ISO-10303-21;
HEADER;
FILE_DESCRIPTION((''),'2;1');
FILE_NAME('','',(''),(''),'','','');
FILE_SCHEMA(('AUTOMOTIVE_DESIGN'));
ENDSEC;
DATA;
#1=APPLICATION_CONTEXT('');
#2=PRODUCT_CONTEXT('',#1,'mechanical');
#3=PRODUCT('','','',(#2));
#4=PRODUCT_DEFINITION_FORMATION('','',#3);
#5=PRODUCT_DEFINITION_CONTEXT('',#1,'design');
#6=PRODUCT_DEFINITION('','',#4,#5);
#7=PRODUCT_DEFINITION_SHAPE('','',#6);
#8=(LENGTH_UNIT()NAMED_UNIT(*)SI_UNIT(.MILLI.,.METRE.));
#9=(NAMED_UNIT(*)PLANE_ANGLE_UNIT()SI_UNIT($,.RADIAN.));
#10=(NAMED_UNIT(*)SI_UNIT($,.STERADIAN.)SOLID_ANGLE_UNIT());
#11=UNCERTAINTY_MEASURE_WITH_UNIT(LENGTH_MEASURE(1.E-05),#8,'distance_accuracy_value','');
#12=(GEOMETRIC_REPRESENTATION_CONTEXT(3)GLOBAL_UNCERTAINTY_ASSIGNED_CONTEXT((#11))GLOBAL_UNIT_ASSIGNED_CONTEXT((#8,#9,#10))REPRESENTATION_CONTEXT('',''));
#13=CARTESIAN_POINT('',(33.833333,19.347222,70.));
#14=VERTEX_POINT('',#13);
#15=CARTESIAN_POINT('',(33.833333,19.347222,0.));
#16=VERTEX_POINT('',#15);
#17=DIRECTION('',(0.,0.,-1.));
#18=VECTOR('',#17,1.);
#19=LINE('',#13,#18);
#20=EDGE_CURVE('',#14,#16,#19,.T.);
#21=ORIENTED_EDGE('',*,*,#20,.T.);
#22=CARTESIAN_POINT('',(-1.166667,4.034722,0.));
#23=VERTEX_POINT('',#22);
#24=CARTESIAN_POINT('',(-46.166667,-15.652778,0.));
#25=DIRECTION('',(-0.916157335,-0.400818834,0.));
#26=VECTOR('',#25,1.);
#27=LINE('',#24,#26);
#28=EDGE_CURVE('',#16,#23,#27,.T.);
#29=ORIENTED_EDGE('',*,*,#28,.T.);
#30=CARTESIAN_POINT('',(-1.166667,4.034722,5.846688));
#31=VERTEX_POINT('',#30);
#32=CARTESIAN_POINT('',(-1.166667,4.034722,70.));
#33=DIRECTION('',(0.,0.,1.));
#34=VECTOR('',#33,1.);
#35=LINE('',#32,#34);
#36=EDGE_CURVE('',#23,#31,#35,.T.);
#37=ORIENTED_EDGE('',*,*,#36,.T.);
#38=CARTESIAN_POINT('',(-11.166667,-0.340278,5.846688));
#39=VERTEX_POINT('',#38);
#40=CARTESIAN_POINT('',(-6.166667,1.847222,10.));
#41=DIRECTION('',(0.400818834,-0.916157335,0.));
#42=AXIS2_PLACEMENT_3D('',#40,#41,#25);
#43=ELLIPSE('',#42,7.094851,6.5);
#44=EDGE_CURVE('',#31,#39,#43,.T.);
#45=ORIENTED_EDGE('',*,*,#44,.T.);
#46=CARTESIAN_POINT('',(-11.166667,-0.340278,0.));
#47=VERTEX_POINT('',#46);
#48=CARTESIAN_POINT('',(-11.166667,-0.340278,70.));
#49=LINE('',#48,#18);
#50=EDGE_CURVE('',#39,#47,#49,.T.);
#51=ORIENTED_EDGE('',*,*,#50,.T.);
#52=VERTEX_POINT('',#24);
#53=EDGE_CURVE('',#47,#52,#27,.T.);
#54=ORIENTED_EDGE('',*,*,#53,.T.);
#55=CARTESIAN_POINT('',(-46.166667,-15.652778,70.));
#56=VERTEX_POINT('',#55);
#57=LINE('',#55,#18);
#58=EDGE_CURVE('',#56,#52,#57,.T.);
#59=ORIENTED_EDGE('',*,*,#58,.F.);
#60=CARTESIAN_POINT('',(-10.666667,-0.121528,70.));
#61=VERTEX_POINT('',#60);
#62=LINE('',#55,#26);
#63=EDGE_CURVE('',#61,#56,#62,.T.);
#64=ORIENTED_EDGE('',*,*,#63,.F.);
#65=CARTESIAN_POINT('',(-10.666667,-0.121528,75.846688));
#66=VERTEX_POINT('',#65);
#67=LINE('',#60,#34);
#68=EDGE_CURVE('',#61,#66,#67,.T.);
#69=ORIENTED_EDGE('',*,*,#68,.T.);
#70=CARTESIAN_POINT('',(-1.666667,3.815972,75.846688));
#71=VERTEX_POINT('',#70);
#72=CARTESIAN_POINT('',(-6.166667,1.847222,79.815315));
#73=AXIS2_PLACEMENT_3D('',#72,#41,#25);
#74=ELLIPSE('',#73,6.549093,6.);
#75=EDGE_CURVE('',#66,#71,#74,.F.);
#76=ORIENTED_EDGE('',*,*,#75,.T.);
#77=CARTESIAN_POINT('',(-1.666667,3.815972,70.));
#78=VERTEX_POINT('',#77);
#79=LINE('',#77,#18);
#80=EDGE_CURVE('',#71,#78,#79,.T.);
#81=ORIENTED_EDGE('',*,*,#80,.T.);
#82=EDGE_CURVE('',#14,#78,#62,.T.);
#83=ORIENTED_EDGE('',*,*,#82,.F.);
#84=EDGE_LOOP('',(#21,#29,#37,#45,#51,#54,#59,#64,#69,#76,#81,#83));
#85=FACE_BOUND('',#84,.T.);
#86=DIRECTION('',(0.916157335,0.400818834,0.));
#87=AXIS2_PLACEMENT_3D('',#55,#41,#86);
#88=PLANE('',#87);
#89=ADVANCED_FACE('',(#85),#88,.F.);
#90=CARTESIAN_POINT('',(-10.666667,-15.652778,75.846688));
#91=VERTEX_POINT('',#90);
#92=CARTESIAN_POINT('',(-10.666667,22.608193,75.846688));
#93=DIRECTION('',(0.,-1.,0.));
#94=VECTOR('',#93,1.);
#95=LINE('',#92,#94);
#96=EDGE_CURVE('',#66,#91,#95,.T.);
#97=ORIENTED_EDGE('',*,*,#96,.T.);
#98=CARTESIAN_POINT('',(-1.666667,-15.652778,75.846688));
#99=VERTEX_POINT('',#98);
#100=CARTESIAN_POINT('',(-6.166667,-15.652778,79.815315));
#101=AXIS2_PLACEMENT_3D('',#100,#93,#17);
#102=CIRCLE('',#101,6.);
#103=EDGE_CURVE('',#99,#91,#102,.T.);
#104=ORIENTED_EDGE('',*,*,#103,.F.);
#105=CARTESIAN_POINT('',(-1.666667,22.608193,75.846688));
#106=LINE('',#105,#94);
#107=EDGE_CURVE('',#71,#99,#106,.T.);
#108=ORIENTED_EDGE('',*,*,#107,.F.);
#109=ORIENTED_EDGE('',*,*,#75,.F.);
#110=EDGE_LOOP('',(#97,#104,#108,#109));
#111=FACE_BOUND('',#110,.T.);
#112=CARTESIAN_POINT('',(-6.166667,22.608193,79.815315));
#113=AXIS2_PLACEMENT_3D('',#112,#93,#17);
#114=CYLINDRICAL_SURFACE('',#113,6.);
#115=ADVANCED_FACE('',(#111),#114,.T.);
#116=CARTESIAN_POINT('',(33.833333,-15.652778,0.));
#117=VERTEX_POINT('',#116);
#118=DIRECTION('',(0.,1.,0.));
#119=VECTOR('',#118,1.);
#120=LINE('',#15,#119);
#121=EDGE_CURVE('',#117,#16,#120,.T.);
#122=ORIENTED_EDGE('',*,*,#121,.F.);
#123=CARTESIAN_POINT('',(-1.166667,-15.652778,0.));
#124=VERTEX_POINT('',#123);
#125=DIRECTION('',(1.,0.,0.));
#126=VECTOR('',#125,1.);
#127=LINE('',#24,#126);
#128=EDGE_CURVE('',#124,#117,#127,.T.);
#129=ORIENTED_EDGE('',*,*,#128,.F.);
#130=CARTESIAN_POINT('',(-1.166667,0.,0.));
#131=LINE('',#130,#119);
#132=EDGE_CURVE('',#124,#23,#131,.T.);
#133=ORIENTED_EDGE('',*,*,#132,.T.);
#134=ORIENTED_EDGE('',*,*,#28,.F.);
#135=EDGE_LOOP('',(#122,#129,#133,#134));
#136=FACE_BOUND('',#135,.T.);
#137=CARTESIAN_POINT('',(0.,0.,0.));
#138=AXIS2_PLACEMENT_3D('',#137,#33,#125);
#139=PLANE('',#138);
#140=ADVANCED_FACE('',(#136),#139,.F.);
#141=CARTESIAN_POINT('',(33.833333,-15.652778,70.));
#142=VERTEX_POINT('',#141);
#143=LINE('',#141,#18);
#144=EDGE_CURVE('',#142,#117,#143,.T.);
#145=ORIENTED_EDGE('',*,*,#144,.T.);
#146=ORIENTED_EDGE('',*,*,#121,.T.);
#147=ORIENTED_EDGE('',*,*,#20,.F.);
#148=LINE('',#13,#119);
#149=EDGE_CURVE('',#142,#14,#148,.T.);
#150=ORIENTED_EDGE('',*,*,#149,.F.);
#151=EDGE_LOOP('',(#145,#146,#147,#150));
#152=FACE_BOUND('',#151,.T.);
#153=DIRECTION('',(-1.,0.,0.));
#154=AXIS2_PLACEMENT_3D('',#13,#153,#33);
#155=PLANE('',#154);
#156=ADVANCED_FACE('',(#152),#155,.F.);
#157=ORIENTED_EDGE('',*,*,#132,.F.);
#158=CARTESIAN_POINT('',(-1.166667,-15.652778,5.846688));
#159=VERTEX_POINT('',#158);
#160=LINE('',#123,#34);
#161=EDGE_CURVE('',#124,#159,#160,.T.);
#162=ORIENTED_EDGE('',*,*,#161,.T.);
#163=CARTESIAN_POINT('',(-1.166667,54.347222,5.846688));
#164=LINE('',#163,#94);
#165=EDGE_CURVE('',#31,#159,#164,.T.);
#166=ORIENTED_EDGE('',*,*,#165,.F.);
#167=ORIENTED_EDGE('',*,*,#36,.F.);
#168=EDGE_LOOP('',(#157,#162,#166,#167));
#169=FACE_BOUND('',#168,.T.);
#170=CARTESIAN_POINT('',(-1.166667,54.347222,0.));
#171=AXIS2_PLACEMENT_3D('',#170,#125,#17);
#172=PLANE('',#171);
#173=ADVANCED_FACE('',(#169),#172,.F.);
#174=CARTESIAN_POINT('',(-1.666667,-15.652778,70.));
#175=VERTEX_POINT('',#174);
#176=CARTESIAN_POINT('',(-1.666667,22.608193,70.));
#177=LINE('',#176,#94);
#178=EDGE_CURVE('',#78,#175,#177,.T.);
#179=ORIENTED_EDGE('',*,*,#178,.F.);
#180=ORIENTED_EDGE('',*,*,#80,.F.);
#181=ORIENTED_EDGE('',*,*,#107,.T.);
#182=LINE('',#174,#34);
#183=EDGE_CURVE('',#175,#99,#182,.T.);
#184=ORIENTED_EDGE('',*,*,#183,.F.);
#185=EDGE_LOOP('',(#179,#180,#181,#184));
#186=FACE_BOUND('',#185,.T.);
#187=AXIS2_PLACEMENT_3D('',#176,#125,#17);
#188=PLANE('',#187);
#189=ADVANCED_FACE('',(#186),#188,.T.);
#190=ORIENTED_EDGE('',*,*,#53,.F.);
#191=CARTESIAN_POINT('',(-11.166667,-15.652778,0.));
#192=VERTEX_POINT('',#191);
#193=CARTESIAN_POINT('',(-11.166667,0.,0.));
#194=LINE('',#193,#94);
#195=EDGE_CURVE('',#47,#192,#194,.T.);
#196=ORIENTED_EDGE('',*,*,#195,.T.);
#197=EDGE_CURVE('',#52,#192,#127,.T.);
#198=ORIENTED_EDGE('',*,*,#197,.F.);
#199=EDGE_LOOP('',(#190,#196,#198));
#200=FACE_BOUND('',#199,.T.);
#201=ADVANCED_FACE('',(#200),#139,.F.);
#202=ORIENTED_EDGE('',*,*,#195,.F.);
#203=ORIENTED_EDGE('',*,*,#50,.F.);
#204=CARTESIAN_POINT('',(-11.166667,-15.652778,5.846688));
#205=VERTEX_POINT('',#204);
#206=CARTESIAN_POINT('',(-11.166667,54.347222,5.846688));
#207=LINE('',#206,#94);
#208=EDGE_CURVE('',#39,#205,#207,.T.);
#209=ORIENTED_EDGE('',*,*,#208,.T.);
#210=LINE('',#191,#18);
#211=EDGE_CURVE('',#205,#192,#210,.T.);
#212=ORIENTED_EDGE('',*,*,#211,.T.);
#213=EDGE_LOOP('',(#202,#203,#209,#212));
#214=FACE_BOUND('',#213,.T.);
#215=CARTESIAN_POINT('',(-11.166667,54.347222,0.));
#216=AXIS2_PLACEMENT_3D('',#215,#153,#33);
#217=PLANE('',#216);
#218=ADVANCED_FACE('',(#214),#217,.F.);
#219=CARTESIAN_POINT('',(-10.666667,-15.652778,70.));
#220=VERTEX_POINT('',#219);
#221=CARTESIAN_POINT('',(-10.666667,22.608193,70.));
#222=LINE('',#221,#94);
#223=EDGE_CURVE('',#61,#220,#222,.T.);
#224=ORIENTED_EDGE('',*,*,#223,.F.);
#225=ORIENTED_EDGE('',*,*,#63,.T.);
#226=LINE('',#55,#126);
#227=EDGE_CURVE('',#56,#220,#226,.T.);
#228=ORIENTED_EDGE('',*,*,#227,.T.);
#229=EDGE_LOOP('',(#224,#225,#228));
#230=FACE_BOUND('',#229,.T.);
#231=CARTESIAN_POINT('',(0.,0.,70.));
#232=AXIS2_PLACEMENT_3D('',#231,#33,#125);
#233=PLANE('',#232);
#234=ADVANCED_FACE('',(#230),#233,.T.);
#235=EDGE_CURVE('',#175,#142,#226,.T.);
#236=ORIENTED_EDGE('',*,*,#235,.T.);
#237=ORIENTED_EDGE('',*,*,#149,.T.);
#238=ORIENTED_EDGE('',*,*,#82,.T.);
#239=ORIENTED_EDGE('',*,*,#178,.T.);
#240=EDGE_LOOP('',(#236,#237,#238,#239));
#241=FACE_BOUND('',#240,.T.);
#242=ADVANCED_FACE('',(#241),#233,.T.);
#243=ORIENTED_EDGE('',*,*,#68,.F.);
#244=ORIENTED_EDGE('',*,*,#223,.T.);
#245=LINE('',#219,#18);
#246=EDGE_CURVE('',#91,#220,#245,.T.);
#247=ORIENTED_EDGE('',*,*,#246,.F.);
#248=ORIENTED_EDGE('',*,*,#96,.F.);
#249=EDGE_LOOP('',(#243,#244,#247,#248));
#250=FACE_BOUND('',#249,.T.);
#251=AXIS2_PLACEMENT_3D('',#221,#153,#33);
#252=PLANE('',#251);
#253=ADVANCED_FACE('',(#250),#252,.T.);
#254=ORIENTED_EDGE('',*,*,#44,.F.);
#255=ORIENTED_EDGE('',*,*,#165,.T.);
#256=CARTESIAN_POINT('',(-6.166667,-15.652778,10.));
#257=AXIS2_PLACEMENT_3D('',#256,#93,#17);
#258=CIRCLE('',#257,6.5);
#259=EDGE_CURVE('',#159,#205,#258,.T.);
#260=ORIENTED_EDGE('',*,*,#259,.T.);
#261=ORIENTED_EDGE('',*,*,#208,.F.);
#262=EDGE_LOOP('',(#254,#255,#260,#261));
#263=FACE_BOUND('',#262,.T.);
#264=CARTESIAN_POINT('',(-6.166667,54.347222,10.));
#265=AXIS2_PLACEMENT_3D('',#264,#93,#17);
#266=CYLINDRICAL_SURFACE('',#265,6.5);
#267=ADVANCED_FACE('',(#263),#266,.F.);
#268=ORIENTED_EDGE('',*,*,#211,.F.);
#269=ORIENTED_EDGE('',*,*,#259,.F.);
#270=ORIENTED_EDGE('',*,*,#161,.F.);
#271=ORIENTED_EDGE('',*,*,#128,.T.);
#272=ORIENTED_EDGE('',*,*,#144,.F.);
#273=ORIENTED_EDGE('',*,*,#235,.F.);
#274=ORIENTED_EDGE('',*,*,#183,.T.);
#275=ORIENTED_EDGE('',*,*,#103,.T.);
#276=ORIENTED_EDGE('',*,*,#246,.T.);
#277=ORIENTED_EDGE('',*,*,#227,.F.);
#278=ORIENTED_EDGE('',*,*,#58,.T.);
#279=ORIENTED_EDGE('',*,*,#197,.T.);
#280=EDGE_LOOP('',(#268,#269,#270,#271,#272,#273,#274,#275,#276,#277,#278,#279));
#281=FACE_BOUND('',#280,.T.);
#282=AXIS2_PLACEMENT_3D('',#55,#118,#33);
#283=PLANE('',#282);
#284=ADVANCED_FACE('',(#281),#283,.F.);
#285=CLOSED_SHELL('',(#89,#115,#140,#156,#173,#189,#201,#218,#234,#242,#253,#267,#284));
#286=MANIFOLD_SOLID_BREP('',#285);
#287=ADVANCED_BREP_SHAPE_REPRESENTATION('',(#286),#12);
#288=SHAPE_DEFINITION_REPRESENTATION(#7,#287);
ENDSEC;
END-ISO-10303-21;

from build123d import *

# Parameters (mm, degrees)
RESSALTO_EXTRUS_O1_DEPTH = 70
RESSALTO_EXTRUS_O2_REACH = 92.865
CORTE_EXTRUS_O1_DEPTH    = 70


with BuildPart() as part:
    # Esboço1 → Ressalto-extrusão1 (new body)
    with BuildSketch(Plane.XY):
        Polygon((-46.166666667, -15.652777778), (33.833333333, 19.347222222), (33.833333333, -15.652777778), align=None)
    extrude(amount=RESSALTO_EXTRUS_O1_DEPTH)

    # Ressalto-extrusão2: up to this plane
    ressalto_extrus_o2_end = Plane(origin=(-46.166666667, -15.652777778, 70), z_dir=(0.4008188340197078, -0.9161573349021892, 0))
    # Esboço3 → Ressalto-extrusão2 (add, up to the surface)
    with BuildSketch(Plane.XZ.offset(15.652777778), mode=Mode.PRIVATE) as ressalto_extrus_o2_sk1:
        with BuildLine():
            Line((-10.666666667, 70), (-1.666666667, 70))
            Line((-1.666666667, 70), (-1.666666667, 75.846688069))
            ThreePointArc((-1.666666667, 75.846688069), (-6.166666667, 85.815315035), (-10.666666667, 75.846688069))
            Line((-10.666666667, 75.846688069), (-10.666666667, 70))
        make_face()
    ressalto_extrus_o2_tool1 = split(extrude(ressalto_extrus_o2_sk1.sketch, amount=-RESSALTO_EXTRUS_O2_REACH, mode=Mode.PRIVATE), bisect_by=ressalto_extrus_o2_end, keep=Keep.BOTH, mode=Mode.PRIVATE)
    add(ressalto_extrus_o2_tool1.solids().sort_by_distance((-6.166667, -15.652778, 77.842662))[0])

    # Esboço2 → Corte-extrusão1 (cut)
    with BuildSketch(Plane.XZ.offset(15.652777778)):
        with BuildLine():
            Line((-11.166666667, 0), (-1.166666667, 0))
            Line((-1.166666667, 0), (-1.166666667, 5.846688069))
            ThreePointArc((-1.166666667, 5.846688069), (-6.166666667, 16.5), (-11.166666667, 5.846688069))
            Line((-11.166666667, 5.846688069), (-11.166666667, 0))
        make_face()
    extrude(amount=-CORTE_EXTRUS_O1_DEPTH, mode=Mode.SUBTRACT)


solid = part.part
